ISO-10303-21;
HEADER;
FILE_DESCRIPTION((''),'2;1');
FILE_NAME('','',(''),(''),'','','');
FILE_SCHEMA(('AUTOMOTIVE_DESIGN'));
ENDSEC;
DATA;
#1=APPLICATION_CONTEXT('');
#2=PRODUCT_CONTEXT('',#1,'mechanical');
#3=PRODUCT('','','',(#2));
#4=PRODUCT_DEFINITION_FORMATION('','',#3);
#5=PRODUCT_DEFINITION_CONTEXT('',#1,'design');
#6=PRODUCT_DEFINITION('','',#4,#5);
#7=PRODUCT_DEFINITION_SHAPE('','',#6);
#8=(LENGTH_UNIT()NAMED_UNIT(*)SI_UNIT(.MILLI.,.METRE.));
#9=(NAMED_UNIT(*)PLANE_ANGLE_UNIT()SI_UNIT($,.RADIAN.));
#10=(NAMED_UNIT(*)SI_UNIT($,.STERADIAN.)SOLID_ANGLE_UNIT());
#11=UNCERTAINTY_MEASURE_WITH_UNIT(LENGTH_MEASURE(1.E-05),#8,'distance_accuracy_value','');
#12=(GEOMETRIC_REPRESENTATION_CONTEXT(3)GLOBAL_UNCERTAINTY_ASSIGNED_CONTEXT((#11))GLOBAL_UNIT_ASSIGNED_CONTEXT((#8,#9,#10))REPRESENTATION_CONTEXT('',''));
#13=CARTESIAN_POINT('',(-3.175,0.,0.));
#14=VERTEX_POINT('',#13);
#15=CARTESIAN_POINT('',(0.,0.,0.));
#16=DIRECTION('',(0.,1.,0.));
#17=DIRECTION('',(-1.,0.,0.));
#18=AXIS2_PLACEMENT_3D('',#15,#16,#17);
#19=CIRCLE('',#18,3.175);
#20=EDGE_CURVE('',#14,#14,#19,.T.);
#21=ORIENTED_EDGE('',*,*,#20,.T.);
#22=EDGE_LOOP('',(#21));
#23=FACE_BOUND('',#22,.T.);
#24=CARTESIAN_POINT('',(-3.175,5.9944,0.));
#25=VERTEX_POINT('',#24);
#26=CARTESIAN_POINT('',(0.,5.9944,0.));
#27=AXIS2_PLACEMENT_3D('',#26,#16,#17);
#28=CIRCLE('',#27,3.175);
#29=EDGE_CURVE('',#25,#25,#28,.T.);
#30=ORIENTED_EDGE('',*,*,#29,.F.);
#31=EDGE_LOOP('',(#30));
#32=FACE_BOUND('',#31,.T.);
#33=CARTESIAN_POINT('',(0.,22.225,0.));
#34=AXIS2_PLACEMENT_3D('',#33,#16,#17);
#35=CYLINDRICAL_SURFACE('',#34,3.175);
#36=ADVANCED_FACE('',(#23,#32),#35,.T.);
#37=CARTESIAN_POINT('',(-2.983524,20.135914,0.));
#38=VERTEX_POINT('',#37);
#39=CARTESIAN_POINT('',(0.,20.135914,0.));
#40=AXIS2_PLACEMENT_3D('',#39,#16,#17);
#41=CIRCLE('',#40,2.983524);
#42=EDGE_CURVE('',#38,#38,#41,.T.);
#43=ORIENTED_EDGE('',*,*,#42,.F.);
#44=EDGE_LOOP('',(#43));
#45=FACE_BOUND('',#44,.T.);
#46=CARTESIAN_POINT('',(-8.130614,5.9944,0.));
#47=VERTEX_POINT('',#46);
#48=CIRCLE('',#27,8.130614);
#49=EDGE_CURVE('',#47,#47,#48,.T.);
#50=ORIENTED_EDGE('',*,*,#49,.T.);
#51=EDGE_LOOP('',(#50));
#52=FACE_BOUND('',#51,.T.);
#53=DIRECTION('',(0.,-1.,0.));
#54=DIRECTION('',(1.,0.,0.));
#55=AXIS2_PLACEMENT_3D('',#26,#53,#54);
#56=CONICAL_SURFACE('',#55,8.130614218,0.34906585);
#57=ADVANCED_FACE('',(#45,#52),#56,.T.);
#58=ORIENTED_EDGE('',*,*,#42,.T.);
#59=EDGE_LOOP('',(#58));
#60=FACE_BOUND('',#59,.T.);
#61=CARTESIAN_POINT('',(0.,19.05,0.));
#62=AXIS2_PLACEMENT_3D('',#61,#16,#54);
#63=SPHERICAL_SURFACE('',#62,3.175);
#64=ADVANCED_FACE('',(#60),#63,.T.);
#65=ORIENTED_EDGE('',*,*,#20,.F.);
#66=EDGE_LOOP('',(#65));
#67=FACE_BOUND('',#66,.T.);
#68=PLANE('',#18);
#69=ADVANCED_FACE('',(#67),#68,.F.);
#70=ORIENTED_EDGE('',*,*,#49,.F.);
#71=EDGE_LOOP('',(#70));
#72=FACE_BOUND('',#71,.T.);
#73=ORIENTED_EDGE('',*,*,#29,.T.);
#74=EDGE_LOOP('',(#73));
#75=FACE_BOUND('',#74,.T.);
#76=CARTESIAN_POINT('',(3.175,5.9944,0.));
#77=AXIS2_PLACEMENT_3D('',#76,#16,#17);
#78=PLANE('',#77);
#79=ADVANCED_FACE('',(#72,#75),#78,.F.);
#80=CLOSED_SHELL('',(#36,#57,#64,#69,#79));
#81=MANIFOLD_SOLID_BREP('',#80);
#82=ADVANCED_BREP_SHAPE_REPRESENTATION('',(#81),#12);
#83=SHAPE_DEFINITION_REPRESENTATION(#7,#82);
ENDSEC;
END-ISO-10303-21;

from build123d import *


with BuildPart() as part:
    # Sketch1 → Revolve1 (revolve)
    with BuildSketch(Plane.XY):
        with BuildLine():
            Line((0, 0), (3.175, 0))
            Line((3.175, 0), (3.175, 5.9944))
            Line((3.175, 5.9944), (8.130614218, 5.9944))
            Line((8.130614218, 5.9944), (2.983524071, 20.135913955))
            ThreePointArc((2.983524071, 20.135913955), (1.821105185, 21.650807741), (0, 22.225))
            Line((0, 22.225), (0, 0))
        make_face()
    revolve(axis=Axis((0, 22.225, 0), (0, -1, 0)))


solid = part.part
